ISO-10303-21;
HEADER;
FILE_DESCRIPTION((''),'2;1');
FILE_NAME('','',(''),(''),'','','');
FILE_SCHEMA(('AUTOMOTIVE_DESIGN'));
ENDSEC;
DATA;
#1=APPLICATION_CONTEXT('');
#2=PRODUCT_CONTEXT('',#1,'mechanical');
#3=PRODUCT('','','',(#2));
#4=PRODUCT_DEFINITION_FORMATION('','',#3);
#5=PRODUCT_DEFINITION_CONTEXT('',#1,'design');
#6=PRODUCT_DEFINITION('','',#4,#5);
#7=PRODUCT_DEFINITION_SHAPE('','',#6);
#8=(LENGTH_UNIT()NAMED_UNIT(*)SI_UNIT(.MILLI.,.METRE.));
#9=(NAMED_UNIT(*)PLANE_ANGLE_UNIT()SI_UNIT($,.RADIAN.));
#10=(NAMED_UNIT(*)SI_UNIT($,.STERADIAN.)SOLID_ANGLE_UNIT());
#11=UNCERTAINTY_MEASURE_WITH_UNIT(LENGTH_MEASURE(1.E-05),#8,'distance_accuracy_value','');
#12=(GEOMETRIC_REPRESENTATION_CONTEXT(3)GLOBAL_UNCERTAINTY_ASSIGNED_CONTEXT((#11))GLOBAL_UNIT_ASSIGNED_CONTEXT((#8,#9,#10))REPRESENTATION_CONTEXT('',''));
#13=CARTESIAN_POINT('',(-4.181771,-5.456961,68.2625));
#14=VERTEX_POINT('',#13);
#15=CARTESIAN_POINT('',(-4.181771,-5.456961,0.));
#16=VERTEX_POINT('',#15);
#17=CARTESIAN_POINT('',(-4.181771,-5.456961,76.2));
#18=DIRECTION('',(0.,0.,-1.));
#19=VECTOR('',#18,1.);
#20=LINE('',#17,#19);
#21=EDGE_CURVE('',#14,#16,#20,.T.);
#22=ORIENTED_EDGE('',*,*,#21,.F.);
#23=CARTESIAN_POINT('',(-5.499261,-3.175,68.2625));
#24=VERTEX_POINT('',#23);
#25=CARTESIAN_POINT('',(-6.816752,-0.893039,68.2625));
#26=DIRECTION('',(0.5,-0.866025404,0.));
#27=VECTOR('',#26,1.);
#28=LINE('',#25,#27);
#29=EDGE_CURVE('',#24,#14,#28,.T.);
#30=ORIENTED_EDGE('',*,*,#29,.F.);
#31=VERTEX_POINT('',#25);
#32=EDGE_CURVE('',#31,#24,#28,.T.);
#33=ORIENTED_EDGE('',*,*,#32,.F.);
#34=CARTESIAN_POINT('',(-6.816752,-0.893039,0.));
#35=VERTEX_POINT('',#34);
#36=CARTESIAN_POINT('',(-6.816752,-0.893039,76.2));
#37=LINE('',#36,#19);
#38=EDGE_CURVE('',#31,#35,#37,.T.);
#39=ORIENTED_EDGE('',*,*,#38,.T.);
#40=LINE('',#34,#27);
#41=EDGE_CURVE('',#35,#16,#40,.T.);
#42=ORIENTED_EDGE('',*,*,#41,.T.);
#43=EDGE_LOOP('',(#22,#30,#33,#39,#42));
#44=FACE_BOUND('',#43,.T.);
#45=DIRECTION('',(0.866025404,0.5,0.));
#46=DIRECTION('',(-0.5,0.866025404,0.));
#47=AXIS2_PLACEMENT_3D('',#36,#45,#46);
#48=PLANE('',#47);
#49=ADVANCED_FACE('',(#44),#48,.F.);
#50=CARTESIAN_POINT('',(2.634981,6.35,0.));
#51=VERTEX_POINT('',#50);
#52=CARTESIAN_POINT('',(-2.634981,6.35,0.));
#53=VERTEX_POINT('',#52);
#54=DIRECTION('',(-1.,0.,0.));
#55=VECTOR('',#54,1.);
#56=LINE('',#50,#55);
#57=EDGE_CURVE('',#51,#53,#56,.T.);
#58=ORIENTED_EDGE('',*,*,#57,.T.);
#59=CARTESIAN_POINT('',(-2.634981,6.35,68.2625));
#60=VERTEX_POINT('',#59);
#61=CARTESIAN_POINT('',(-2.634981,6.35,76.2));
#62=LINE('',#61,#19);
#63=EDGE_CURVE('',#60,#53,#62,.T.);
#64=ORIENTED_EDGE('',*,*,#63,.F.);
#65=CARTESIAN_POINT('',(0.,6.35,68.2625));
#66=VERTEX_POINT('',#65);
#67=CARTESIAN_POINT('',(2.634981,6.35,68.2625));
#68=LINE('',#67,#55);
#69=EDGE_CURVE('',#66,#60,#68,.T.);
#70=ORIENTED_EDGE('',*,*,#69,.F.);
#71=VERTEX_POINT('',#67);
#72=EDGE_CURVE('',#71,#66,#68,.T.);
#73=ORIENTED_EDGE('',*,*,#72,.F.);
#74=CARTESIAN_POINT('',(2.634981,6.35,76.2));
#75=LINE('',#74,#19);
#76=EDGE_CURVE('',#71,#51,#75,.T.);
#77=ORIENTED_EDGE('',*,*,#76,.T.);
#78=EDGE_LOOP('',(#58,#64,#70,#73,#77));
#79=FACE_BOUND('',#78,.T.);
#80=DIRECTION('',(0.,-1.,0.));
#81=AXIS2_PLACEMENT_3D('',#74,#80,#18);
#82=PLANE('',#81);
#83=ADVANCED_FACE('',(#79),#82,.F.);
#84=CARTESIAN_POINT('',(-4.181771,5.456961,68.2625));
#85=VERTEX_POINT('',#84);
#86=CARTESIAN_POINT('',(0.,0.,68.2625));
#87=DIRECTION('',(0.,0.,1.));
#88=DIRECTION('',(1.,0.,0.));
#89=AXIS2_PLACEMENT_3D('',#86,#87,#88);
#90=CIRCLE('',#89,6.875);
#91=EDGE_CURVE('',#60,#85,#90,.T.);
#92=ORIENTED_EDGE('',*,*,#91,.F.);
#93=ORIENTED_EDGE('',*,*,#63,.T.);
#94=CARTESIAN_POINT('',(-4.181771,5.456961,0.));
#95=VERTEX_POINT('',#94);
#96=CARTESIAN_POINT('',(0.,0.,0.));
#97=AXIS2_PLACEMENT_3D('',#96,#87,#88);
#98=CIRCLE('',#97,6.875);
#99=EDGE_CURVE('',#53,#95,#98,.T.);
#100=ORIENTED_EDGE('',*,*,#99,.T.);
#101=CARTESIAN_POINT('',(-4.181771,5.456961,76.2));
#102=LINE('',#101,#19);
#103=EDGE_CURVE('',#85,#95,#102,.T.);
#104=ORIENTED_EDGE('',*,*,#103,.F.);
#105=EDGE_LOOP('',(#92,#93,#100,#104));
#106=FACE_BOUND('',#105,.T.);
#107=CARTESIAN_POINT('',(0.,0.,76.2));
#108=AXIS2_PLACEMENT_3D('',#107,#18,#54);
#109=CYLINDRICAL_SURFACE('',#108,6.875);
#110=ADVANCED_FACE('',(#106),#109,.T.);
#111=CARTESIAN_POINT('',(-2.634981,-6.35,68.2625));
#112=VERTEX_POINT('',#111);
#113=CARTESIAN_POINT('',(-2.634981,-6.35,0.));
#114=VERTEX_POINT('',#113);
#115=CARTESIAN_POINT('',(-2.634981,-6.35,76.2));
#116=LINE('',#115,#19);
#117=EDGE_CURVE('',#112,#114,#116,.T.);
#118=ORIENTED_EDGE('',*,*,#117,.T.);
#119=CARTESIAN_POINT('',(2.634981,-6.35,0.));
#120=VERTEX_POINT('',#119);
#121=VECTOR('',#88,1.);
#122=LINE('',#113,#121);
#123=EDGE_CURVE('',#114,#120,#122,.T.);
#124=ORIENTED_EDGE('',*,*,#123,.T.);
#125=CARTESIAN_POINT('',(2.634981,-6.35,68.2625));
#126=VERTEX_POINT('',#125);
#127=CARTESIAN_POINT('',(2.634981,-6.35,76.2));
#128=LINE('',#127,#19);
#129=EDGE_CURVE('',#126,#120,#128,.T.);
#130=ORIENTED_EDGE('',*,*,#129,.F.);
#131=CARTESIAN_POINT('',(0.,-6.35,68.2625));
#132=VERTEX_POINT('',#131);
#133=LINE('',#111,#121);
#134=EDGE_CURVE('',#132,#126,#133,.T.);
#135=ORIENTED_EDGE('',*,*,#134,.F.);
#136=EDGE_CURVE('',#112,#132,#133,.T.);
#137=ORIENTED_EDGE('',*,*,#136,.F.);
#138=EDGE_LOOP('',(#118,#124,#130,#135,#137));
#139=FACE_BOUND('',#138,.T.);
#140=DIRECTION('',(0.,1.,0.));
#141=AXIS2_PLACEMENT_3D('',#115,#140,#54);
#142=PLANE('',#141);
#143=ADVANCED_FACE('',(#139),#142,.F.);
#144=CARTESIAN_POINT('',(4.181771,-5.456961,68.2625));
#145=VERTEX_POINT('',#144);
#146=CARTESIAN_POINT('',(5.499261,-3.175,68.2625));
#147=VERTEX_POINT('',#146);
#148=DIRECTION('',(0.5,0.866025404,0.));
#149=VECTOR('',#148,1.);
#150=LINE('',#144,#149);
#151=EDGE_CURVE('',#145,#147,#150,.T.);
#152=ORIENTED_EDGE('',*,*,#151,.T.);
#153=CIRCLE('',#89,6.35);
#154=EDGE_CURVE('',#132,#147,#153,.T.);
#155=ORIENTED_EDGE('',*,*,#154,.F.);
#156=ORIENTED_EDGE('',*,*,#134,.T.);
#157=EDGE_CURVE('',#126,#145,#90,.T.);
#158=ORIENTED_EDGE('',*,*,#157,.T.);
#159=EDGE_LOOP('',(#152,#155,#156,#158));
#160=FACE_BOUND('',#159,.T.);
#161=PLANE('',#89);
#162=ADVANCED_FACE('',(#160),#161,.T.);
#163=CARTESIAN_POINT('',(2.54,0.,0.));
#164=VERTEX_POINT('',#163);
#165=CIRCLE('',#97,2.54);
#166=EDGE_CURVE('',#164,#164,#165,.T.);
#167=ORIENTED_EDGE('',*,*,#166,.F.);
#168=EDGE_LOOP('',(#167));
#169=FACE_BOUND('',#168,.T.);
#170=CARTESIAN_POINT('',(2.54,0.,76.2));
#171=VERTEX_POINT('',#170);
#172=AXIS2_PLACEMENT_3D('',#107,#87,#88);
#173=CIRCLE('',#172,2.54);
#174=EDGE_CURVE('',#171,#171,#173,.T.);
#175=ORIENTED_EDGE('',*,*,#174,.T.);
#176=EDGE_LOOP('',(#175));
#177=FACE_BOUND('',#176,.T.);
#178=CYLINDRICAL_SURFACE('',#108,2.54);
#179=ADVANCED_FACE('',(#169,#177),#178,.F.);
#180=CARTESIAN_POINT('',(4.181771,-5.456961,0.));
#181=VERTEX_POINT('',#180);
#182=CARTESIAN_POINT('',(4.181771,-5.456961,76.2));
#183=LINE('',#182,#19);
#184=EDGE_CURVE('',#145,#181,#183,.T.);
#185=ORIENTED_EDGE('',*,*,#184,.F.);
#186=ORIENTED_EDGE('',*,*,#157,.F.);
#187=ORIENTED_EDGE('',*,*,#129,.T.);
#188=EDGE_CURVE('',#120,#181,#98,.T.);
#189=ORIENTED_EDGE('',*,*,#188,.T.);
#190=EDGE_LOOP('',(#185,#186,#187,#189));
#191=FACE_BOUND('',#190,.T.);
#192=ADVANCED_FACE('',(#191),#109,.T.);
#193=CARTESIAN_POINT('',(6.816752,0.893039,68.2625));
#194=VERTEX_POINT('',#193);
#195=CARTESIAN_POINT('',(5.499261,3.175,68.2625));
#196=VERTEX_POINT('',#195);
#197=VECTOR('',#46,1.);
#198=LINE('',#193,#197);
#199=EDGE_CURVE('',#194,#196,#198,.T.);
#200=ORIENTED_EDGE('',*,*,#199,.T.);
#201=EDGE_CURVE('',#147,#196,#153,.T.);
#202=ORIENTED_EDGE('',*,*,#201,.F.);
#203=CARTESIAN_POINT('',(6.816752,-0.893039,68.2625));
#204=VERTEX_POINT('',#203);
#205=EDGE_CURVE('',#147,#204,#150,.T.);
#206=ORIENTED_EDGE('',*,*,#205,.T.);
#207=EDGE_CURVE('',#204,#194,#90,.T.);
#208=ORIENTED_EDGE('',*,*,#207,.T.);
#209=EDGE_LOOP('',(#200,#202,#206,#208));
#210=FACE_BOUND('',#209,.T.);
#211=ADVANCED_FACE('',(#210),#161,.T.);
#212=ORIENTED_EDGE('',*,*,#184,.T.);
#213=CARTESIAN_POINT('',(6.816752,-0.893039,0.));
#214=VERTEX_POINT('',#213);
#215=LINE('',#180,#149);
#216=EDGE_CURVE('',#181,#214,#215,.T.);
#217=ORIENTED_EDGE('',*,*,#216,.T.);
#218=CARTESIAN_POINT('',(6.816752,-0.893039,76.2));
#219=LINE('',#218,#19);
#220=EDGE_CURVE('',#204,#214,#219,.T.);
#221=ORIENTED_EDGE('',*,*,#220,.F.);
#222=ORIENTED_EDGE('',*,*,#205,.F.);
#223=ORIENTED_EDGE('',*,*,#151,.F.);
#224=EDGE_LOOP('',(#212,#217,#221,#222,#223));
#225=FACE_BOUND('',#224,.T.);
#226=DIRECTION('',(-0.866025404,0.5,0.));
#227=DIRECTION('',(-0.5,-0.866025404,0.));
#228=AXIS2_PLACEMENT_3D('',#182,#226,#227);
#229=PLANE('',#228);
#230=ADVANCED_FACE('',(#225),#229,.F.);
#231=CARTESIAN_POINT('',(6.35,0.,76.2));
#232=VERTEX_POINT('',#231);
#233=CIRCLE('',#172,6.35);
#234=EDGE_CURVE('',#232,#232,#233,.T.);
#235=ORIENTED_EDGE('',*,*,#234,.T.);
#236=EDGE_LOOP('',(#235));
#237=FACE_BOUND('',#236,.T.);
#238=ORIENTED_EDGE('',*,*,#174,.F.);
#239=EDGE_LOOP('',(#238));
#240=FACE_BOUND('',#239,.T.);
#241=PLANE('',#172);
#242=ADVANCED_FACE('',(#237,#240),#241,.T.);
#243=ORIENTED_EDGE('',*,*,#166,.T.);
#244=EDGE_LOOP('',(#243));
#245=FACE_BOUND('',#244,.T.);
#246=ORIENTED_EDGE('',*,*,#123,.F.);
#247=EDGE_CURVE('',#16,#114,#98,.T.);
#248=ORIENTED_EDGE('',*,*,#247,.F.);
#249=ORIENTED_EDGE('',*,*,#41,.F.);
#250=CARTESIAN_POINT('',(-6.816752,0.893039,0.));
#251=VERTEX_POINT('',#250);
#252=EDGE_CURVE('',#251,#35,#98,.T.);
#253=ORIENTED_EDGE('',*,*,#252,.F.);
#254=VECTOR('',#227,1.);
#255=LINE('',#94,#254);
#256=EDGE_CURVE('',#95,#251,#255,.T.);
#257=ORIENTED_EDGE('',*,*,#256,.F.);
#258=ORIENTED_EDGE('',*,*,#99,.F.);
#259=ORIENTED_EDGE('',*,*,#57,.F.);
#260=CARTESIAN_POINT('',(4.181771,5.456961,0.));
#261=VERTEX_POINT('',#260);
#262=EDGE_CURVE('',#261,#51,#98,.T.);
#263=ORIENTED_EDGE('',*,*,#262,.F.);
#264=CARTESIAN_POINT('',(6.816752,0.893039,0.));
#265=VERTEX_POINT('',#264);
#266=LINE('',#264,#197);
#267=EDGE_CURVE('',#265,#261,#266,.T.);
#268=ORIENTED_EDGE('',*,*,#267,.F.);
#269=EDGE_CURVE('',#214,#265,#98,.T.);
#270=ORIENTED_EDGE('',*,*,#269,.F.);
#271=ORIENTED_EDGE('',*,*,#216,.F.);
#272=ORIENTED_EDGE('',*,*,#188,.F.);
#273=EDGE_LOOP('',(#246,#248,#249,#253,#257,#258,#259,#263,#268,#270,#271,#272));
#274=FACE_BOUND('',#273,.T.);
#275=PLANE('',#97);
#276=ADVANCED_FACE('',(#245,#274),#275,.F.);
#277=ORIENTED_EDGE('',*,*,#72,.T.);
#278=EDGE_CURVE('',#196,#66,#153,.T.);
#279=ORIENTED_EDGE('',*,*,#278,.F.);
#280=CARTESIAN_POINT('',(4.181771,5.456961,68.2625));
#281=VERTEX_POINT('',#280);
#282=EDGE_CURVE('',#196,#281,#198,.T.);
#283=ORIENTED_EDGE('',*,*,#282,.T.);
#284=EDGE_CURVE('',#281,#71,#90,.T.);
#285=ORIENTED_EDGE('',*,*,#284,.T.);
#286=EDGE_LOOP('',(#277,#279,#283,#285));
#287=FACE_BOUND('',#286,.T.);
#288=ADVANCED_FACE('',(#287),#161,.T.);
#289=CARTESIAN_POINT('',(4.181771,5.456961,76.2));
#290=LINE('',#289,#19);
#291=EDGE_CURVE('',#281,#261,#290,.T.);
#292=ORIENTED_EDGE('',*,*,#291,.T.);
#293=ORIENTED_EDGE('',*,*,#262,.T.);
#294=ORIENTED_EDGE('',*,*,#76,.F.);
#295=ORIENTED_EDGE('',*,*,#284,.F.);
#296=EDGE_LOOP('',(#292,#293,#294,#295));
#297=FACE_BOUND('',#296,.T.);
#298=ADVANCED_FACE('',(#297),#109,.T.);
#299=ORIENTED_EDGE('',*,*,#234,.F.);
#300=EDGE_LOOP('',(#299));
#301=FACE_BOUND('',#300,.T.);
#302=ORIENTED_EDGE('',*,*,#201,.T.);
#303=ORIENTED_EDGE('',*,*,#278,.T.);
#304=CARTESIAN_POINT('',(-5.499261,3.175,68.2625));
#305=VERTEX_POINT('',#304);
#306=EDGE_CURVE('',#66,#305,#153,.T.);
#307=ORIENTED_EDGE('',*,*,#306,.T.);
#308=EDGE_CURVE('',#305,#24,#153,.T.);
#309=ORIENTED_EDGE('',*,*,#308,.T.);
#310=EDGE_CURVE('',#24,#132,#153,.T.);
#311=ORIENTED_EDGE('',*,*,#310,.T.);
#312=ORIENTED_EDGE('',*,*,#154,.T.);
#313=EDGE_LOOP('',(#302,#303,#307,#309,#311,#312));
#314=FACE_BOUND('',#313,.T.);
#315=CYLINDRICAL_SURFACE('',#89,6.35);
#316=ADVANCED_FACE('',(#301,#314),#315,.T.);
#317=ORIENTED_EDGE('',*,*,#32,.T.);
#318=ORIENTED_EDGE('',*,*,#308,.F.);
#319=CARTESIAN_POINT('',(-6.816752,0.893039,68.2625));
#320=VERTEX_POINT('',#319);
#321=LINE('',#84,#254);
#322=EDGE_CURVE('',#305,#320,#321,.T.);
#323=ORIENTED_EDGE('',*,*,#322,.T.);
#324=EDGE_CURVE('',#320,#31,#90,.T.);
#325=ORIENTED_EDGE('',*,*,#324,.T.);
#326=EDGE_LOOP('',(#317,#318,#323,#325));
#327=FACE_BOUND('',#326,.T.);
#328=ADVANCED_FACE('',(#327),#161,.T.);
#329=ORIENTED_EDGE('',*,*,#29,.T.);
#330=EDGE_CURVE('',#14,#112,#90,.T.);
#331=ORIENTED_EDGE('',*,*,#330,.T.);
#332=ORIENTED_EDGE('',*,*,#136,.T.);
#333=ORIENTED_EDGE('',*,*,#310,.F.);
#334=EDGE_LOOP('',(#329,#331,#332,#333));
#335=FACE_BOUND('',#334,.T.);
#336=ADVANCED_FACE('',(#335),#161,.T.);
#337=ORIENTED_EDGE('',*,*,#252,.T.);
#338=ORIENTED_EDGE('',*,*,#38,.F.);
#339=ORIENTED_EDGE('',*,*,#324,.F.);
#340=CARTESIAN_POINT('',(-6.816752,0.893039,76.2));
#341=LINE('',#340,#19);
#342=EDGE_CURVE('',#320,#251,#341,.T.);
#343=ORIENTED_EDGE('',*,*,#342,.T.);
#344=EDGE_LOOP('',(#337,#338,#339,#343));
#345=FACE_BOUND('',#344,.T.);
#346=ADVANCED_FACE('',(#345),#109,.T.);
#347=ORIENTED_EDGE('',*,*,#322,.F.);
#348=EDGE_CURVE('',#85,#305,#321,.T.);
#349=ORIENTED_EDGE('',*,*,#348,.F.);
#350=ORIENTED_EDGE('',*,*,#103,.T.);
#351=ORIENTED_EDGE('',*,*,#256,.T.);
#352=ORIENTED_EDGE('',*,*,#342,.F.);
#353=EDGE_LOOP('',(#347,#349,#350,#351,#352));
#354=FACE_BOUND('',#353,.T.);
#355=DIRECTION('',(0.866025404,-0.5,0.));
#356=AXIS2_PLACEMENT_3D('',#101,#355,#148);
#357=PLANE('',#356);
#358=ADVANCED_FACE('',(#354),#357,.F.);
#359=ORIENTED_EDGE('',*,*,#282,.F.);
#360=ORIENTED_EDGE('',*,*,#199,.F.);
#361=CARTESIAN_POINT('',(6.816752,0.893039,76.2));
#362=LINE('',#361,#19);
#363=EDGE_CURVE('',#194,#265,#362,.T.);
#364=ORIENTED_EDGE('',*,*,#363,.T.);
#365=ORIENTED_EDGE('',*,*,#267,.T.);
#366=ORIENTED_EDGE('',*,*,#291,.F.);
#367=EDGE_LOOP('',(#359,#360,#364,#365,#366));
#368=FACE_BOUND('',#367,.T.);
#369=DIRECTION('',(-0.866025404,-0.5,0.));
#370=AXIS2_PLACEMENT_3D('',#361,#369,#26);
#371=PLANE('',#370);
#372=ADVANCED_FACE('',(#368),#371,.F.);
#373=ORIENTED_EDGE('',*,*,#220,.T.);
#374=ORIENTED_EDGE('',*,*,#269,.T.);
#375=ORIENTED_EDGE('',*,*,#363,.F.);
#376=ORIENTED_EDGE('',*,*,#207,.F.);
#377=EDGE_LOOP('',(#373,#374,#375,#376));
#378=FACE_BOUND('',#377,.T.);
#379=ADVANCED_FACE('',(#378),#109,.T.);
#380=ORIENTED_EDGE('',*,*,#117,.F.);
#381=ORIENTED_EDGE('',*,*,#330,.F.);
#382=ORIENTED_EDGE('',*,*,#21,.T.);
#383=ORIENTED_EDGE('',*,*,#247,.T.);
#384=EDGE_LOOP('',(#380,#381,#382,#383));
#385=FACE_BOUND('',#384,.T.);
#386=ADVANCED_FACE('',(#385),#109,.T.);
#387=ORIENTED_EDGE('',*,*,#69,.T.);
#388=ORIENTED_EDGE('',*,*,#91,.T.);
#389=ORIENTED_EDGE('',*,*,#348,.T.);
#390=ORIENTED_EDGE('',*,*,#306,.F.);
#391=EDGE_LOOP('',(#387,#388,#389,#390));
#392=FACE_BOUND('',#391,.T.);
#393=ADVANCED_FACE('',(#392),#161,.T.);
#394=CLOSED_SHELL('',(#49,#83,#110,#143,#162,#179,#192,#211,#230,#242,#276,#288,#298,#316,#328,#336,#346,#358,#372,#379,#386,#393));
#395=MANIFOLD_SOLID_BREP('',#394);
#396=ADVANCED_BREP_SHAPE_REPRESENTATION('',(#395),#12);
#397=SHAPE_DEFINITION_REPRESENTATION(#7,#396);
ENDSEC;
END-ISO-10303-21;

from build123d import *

# Parameters (mm, degrees)
SKETCH1_R           = 2.54
BOSS_EXTRUDE1_DEPTH = 76.2
SKETCH2_OUTSIDE_W   = 31.444
SKETCH2_OUTSIDE_H   = 30.394
SKETCH2_OUTSIDE_R   = 6.35
CUT_EXTRUDE1_DEPTH  = 7.9375


with BuildPart() as part:
    # Sketch1 → Boss-Extrude1 (new body)
    with BuildSketch(Plane.XY):
        with BuildLine():
            Line((4.181770802, -5.456960506), (6.816751826, -0.893039494))
            ThreePointArc((6.816751826, -0.893039494), (6.875, 0), (6.816751826, 0.893039494))
            Line((6.816751826, 0.893039494), (4.181770802, 5.456960506))
            ThreePointArc((4.181770802, 5.456960506), (3.4375, 5.953924651), (2.634981025, 6.35))
            Line((2.634981025, 6.35), (-2.634981025, 6.35))
            ThreePointArc((-2.634981025, 6.35), (-3.4375, 5.953924651), (-4.181770802, 5.456960506))
            Line((-4.181770802, 5.456960506), (-6.816751826, 0.893039494))
            ThreePointArc((-6.816751826, 0.893039494), (-6.875, 0), (-6.816751826, -0.893039494))
            Line((-6.816751826, -0.893039494), (-4.181770802, -5.456960506))
            ThreePointArc((-4.181770802, -5.456960506), (-3.4375, -5.953924651), (-2.634981025, -6.35))
            Line((-2.634981025, -6.35), (2.634981025, -6.35))
            ThreePointArc((2.634981025, -6.35), (3.4375, -5.953924651), (4.181770802, -5.456960506))
        make_face()
        Circle(SKETCH1_R, mode=Mode.SUBTRACT)
    extrude(amount=BOSS_EXTRUDE1_DEPTH)

    # Sketch2 outside → Cut-Extrude1 (cut)
    with BuildSketch(Plane.XY.offset(76.2)):
        Rectangle(SKETCH2_OUTSIDE_W, SKETCH2_OUTSIDE_H)
        Circle(SKETCH2_OUTSIDE_R, mode=Mode.SUBTRACT)
    extrude(amount=-CUT_EXTRUDE1_DEPTH, mode=Mode.SUBTRACT)


solid = part.part
